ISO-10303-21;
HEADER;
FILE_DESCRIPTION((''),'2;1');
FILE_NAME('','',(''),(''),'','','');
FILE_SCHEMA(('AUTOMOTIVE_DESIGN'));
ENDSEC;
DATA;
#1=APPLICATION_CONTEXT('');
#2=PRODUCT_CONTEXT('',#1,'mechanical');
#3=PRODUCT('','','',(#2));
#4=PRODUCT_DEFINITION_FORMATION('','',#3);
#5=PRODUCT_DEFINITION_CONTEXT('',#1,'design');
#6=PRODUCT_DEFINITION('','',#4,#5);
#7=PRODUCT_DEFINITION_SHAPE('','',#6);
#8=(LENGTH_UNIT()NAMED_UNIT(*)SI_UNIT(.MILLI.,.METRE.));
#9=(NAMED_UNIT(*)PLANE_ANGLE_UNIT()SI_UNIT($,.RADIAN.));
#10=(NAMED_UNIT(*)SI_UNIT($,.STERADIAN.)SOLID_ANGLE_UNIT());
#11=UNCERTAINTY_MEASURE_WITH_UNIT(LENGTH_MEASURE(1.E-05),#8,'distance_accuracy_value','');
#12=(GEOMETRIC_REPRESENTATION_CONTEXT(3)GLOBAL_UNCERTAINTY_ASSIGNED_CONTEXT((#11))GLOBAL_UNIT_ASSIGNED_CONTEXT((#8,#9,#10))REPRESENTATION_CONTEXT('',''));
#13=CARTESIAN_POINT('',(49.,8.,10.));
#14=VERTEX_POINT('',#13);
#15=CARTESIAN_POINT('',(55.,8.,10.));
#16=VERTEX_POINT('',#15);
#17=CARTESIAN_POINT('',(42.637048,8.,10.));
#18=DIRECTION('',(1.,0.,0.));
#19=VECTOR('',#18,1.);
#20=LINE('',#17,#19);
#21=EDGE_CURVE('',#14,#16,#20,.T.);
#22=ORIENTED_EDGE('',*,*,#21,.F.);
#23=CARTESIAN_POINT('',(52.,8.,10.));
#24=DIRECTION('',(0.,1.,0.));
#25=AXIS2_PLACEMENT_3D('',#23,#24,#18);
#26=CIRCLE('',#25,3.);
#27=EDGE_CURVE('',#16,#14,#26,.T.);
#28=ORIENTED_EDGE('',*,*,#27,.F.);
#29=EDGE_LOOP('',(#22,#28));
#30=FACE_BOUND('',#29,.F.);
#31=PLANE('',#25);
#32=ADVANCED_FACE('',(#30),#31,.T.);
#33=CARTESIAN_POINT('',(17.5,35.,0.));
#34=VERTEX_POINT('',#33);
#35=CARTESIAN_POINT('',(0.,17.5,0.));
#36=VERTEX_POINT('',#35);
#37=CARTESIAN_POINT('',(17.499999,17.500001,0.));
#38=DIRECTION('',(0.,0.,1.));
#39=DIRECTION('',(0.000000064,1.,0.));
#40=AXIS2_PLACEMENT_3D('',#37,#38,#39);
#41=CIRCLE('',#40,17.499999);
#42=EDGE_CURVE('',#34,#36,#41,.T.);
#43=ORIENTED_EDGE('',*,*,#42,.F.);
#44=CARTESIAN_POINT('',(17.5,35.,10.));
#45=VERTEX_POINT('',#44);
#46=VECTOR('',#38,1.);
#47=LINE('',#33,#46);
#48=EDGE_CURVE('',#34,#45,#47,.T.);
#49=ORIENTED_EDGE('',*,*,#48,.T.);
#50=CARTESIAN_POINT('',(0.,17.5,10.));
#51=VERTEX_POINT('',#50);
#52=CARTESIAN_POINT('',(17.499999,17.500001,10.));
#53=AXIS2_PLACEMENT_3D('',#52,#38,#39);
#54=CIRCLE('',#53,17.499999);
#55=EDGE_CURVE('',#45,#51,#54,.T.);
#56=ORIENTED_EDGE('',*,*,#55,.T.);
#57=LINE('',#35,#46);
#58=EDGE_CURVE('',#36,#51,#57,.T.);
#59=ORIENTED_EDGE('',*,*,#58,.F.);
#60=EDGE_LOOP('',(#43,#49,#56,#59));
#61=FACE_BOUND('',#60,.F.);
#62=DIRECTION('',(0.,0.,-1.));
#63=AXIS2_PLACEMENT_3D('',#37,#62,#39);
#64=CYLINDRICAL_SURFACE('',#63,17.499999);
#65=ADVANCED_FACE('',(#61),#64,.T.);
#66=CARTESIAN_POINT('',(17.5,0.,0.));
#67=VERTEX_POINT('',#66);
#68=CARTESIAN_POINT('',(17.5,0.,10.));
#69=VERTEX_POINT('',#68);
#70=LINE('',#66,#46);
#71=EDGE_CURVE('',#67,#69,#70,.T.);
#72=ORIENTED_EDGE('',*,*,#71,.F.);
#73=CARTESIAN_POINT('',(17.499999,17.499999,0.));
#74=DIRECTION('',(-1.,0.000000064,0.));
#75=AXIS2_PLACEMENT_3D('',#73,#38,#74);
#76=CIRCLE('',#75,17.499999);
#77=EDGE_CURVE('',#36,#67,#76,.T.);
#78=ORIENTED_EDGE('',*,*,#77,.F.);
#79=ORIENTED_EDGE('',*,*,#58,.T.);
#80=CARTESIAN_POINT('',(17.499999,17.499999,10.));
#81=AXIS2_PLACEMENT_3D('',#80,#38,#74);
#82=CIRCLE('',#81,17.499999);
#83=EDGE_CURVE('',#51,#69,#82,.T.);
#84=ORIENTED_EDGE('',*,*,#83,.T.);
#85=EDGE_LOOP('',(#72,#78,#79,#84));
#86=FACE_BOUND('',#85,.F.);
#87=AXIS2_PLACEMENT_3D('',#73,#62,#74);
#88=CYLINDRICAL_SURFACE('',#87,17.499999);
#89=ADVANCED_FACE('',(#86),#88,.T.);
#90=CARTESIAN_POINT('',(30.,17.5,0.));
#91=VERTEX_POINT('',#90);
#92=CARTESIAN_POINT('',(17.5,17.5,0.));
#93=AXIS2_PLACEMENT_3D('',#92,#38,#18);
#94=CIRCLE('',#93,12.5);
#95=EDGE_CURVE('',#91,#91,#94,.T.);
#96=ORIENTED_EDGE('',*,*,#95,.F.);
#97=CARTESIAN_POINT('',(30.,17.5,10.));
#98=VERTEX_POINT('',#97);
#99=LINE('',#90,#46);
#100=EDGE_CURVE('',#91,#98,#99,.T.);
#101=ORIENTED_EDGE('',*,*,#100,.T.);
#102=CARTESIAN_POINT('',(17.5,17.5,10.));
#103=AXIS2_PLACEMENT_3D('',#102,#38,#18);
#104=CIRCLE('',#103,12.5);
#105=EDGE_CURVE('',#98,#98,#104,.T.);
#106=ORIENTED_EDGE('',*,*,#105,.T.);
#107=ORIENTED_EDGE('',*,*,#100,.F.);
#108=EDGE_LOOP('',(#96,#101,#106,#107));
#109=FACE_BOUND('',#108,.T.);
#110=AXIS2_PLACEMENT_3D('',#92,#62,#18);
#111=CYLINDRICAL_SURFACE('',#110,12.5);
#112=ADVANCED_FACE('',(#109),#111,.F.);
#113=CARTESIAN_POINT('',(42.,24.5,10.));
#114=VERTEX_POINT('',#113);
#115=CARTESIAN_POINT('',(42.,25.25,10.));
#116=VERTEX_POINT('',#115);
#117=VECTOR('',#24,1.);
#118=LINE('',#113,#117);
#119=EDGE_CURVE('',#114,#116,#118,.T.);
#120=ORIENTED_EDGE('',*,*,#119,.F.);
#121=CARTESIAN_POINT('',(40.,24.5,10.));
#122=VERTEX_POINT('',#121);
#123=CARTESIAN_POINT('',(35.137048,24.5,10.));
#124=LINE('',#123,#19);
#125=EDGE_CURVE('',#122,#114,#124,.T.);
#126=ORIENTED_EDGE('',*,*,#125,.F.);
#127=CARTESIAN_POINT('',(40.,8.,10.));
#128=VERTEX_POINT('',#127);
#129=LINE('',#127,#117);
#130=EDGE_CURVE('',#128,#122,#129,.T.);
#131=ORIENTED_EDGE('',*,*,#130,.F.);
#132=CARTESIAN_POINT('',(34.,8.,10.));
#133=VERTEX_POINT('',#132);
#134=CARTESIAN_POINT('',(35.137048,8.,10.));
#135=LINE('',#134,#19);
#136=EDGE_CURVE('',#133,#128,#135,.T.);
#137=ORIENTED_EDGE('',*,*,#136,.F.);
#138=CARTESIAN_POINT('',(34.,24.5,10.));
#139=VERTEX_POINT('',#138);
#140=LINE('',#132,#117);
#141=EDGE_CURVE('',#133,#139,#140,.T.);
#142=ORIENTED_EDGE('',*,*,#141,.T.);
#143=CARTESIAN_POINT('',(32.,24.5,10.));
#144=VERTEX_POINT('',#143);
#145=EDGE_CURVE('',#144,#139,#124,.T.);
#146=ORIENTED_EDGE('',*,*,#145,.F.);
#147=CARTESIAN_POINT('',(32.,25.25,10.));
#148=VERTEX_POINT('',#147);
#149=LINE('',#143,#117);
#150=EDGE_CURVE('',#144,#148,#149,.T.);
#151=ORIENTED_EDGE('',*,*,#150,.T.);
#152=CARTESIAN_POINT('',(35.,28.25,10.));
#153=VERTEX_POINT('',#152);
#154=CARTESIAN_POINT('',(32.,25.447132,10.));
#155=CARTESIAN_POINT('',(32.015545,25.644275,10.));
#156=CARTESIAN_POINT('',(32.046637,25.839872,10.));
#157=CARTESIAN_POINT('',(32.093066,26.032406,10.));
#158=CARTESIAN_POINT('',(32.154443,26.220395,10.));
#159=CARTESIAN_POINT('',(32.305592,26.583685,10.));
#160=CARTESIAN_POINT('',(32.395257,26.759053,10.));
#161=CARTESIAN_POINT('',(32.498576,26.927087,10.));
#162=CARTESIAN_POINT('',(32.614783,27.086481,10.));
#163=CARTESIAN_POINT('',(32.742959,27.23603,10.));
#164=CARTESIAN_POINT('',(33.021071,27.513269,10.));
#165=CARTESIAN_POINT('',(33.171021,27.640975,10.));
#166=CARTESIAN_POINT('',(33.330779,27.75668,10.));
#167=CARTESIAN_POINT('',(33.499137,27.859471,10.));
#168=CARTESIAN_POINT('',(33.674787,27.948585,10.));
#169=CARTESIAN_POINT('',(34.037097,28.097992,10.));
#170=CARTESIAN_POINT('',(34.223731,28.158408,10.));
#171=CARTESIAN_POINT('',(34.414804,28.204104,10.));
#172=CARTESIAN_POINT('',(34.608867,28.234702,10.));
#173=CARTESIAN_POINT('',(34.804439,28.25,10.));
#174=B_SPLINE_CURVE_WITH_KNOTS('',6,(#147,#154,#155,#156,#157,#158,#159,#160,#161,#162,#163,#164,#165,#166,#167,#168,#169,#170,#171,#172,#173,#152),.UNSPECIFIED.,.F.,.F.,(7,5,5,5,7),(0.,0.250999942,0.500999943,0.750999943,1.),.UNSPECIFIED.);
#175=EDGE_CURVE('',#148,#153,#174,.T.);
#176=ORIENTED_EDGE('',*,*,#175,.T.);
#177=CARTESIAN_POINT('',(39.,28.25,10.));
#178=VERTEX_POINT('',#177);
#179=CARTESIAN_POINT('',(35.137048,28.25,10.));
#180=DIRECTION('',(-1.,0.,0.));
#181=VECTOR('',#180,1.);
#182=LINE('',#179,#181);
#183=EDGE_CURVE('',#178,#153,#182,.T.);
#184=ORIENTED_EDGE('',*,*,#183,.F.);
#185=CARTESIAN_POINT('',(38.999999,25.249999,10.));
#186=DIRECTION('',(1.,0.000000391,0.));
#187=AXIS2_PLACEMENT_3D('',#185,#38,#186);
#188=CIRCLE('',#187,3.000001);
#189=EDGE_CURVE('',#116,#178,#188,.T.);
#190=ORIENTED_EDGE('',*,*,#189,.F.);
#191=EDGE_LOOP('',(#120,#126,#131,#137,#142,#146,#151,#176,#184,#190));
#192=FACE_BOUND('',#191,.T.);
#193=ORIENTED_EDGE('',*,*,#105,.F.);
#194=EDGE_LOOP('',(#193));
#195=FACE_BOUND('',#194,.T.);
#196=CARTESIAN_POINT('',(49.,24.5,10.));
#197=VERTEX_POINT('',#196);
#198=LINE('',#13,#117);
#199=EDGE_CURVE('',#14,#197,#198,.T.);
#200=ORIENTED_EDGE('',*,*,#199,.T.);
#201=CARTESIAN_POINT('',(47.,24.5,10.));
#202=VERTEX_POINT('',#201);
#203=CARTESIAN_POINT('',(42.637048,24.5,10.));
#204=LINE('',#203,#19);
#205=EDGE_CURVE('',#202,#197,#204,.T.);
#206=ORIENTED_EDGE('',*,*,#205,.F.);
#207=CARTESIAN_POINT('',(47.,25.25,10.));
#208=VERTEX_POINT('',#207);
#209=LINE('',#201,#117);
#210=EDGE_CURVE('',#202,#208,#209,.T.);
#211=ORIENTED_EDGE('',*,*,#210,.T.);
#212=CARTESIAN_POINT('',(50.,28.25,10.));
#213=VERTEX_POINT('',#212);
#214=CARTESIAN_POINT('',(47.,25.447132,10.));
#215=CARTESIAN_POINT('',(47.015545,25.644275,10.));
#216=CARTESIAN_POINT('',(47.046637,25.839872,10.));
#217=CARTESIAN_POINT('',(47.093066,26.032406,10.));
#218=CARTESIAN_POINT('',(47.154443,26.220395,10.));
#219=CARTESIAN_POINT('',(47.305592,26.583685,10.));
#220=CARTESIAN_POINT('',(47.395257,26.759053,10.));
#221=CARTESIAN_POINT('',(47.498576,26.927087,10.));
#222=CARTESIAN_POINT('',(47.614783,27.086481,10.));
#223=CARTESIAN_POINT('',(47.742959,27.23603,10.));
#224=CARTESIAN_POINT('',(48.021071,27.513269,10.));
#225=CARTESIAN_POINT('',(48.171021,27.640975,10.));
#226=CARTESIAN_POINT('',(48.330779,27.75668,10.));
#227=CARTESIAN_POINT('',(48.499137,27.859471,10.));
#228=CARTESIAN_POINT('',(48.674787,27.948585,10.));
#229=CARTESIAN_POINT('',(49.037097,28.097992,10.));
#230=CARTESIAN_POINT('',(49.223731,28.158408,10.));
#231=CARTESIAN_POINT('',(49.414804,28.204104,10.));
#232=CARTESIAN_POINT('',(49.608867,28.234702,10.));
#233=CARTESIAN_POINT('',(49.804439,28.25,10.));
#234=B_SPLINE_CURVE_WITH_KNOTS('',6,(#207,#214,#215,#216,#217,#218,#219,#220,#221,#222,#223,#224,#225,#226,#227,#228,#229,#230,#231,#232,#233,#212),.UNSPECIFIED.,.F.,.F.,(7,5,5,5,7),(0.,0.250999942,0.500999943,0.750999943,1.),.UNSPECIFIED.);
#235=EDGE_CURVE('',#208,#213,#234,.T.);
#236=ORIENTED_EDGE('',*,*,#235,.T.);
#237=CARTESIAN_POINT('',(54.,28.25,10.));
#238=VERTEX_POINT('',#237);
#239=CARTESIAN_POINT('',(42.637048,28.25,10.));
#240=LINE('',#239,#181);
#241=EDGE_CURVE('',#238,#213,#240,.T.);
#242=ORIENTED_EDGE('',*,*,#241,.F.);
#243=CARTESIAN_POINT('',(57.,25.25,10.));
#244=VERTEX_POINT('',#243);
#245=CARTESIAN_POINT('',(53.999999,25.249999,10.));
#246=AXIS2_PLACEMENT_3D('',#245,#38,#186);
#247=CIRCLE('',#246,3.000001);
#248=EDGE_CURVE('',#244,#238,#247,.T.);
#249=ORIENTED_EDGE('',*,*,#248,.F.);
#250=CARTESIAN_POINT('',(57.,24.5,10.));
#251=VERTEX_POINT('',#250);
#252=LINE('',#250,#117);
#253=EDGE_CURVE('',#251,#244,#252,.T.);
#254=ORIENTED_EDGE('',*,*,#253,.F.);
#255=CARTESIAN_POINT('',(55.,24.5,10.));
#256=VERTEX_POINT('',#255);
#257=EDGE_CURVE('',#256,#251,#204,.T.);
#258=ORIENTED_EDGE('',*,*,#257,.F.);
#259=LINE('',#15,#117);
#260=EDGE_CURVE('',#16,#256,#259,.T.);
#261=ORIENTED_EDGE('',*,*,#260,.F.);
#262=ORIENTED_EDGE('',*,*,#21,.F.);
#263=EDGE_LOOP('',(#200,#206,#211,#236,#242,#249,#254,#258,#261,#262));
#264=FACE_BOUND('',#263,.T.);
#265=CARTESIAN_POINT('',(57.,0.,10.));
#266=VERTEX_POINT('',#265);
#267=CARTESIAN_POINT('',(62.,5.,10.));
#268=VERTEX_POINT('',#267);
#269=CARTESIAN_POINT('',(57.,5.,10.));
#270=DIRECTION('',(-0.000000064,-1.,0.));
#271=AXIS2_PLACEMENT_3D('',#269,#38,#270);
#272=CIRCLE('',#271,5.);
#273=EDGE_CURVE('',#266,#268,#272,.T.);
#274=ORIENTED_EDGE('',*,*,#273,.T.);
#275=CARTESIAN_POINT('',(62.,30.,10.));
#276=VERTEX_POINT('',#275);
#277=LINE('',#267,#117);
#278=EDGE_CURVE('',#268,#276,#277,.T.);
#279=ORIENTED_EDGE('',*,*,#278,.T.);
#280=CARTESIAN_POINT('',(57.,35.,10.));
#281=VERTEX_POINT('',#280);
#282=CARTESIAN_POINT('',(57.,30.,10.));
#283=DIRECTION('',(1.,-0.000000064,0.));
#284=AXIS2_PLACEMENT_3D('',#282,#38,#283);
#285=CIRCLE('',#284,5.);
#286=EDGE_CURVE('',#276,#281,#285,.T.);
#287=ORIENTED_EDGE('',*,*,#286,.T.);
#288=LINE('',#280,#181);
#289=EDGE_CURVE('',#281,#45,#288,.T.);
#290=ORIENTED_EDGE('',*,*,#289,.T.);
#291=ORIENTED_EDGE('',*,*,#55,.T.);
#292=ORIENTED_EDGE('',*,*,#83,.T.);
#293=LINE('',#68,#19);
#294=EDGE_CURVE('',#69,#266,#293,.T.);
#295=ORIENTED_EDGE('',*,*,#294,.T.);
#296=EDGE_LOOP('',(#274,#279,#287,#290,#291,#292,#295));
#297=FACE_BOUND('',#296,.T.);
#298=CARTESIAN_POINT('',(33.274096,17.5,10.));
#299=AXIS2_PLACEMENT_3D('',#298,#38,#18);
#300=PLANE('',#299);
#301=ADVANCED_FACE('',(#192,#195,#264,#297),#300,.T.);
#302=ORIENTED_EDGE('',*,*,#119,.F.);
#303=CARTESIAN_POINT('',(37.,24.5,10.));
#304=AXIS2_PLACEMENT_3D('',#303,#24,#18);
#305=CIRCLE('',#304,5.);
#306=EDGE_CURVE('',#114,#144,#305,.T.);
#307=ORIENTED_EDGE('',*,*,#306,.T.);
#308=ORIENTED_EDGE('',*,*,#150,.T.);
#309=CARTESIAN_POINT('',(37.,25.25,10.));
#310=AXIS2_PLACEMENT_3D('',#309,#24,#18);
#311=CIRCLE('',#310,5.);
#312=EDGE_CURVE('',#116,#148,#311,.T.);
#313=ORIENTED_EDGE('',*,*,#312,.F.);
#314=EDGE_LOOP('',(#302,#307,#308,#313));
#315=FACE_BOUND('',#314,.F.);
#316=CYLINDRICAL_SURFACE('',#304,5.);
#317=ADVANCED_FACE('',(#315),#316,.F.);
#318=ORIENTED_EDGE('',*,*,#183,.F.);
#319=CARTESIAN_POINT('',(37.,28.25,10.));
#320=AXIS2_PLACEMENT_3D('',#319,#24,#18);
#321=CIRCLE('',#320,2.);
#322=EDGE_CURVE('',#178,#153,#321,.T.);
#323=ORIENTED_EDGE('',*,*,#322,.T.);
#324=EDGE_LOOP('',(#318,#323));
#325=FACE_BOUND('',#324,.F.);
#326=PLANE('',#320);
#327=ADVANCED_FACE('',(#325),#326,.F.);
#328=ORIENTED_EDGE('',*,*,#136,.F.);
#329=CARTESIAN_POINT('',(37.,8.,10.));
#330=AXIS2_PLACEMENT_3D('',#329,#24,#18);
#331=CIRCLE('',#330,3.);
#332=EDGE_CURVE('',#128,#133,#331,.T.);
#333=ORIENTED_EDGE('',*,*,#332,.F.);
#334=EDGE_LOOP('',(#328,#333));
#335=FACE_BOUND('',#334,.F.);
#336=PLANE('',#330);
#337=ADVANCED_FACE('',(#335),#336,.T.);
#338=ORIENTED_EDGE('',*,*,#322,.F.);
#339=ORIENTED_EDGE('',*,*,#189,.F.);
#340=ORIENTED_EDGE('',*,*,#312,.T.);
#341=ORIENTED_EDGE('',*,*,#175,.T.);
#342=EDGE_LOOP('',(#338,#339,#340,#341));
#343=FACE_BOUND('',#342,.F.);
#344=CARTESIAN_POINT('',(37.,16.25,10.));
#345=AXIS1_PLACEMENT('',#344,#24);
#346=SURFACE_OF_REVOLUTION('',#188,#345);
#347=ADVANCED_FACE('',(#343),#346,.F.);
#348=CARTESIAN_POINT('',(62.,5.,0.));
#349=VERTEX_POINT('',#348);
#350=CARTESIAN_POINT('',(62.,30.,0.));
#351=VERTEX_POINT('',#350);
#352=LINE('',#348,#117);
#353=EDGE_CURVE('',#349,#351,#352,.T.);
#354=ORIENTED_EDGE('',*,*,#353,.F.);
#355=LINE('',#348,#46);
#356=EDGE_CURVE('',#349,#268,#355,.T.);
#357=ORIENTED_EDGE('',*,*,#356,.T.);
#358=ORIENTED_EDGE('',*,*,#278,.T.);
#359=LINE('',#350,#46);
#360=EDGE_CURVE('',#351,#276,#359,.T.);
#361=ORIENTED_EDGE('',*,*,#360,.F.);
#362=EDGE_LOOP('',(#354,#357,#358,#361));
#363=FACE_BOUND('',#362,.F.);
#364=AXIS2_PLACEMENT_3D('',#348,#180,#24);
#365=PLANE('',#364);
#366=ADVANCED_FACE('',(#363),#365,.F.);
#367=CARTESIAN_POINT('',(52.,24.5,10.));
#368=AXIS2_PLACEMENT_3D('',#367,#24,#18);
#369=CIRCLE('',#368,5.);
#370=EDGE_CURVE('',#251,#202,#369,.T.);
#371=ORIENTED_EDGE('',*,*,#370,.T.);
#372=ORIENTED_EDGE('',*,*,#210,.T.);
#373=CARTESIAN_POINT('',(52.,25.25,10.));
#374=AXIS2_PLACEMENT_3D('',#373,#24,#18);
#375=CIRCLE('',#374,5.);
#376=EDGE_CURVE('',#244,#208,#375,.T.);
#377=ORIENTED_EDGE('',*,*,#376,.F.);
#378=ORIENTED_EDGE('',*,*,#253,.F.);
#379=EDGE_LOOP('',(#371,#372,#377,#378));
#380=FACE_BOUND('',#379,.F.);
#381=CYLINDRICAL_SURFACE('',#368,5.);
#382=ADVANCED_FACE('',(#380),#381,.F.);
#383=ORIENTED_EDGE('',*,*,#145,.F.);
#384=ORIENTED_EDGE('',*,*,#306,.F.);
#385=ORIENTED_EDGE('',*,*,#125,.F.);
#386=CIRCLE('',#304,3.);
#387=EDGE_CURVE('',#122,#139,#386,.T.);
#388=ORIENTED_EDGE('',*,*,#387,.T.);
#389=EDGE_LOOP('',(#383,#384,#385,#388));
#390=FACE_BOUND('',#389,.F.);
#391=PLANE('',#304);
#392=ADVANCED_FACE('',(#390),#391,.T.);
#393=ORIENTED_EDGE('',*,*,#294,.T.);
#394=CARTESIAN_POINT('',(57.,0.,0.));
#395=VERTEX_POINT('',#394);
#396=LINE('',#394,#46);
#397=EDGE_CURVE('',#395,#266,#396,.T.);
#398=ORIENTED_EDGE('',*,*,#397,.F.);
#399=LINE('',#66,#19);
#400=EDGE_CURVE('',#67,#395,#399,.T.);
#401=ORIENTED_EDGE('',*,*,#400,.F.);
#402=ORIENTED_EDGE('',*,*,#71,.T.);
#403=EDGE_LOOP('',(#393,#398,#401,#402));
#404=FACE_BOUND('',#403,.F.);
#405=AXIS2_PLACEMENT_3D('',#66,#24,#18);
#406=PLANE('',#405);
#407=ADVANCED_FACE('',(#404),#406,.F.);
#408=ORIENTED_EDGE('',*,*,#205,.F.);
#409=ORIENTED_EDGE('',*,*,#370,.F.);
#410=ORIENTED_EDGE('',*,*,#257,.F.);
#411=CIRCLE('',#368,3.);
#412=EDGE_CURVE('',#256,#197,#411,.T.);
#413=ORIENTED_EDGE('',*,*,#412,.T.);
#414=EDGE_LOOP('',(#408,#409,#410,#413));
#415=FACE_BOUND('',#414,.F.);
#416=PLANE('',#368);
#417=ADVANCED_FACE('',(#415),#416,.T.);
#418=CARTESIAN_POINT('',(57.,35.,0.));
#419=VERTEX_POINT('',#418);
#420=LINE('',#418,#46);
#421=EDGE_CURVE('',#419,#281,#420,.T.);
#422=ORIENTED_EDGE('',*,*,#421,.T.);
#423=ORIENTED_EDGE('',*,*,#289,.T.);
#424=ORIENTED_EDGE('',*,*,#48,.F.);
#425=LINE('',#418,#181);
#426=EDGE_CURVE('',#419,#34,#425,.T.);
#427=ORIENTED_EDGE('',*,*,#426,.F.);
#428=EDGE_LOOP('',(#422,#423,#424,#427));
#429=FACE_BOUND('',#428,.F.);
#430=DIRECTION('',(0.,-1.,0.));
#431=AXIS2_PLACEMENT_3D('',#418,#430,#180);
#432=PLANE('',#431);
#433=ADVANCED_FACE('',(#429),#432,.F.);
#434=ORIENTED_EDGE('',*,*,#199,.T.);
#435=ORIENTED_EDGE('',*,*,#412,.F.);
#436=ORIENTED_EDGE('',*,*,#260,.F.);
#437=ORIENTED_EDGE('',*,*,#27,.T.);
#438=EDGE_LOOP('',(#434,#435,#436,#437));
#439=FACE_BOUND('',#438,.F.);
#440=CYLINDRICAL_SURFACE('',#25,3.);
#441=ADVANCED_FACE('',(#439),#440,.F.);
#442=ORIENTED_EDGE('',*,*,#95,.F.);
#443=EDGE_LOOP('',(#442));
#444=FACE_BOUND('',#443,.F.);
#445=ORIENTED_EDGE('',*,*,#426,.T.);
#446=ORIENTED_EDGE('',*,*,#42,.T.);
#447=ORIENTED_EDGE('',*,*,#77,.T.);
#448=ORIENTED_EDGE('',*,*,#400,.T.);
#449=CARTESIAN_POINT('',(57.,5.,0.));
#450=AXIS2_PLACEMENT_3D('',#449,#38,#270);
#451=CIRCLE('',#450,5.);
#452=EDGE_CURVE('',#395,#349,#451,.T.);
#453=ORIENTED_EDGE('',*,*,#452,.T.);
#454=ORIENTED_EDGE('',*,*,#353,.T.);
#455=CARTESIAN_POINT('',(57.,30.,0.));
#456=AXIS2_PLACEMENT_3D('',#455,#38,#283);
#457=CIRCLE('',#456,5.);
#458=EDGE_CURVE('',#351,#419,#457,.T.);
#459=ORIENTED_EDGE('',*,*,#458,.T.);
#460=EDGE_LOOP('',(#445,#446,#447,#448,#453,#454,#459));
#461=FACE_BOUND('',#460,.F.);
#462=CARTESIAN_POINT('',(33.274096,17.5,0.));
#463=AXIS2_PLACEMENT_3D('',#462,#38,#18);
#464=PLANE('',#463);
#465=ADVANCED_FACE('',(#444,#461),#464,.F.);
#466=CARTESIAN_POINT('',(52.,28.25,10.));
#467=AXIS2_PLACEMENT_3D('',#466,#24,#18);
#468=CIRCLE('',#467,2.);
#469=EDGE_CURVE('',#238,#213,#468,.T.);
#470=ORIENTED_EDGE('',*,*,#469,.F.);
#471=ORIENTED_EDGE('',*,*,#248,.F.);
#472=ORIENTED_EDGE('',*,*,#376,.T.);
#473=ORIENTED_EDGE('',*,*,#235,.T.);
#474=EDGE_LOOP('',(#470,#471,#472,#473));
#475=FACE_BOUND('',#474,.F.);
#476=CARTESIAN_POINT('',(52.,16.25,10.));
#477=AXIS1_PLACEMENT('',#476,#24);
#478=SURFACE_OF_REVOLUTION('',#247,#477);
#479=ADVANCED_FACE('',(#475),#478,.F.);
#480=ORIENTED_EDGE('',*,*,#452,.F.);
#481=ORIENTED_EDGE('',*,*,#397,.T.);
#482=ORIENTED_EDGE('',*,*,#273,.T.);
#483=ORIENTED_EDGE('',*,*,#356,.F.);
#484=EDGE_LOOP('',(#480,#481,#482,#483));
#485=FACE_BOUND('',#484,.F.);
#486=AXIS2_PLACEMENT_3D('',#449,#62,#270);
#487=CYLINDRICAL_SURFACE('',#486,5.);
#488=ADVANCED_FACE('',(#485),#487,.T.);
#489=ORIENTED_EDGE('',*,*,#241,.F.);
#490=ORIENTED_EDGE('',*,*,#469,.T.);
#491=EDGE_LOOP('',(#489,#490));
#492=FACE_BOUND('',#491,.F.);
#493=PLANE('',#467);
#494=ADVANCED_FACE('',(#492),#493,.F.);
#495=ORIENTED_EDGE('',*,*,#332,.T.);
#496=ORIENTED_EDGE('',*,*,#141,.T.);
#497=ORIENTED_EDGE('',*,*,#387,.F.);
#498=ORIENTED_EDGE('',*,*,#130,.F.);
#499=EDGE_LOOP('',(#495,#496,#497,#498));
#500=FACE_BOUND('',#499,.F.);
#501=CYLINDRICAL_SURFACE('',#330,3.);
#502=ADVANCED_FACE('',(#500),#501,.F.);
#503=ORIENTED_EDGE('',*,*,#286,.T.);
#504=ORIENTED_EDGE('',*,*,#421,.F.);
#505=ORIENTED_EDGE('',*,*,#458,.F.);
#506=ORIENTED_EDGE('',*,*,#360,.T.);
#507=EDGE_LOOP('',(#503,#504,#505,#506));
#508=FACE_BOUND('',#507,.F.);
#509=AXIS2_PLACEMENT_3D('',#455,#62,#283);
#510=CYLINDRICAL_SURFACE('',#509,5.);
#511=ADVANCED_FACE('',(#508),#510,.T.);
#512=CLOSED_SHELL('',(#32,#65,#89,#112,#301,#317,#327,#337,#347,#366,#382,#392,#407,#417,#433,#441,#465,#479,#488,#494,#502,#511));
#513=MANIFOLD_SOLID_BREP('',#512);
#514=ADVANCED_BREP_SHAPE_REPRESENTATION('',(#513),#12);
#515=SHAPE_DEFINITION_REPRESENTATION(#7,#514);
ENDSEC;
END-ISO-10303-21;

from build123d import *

# Parameters (mm, degrees)
F0_R     = 12.5
F1_DEPTH = 10


with BuildPart() as f1:
    # F0 (on Top) → F1 (new body)
    with BuildSketch(Plane.XY):
        with BuildLine():
            ThreePointArc((0, 17.5), (5.125631, 5.125631), (17.5, 0))
            Line((17.5, 0), (57, 0))
            ThreePointArc((57, 0), (60.535534, 1.464466), (62, 5))
            Line((62, 5), (62, 30))
            ThreePointArc((62, 30), (60.535534, 33.535534), (57, 35))
            Line((57, 35), (17.5, 35))
            ThreePointArc((17.5, 35), (5.125631, 29.874369), (0, 17.5))
        make_face()
        with Locations((17.5, 17.5)):
            Circle(F0_R, mode=Mode.SUBTRACT)
    extrude(amount=F1_DEPTH)

    # F2 (on face) → F3 (revolve, cut)
    with BuildSketch(Plane.XY.offset(10)):
        with BuildLine():
            Line((37, 24.5), (37, 8))
            Line((37, 8), (40, 8))
            Line((40, 8), (40, 24.5))
            Line((40, 24.5), (42, 24.5))
            Line((42, 24.5), (42, 25.25))
            ThreePointArc((42, 25.25), (41.12132, 27.37132), (39, 28.25))
            Line((39, 28.25), (37, 28.25))
            Line((37, 28.25), (37, 24.5))
        make_face()
    revolve(axis=Axis((37, 16.25, 10), (0, 1, 0)), mode=Mode.SUBTRACT)

    # F2 (on face) → F4 (revolve, cut)
    with BuildSketch(Plane.XY.offset(10)):
        with BuildLine():
            Line((52, 24.5), (52, 8))
            Line((52, 8), (55, 8))
            Line((55, 8), (55, 24.5))
            Line((55, 24.5), (57, 24.5))
            Line((57, 24.5), (57, 25.25))
            ThreePointArc((57, 25.25), (56.12132, 27.37132), (54, 28.25))
            Line((54, 28.25), (52, 28.25))
            Line((52, 28.25), (52, 24.5))
        make_face()
    revolve(axis=Axis((52, 16.25, 10), (0, 1, 0)), mode=Mode.SUBTRACT)


solid = f1.part
